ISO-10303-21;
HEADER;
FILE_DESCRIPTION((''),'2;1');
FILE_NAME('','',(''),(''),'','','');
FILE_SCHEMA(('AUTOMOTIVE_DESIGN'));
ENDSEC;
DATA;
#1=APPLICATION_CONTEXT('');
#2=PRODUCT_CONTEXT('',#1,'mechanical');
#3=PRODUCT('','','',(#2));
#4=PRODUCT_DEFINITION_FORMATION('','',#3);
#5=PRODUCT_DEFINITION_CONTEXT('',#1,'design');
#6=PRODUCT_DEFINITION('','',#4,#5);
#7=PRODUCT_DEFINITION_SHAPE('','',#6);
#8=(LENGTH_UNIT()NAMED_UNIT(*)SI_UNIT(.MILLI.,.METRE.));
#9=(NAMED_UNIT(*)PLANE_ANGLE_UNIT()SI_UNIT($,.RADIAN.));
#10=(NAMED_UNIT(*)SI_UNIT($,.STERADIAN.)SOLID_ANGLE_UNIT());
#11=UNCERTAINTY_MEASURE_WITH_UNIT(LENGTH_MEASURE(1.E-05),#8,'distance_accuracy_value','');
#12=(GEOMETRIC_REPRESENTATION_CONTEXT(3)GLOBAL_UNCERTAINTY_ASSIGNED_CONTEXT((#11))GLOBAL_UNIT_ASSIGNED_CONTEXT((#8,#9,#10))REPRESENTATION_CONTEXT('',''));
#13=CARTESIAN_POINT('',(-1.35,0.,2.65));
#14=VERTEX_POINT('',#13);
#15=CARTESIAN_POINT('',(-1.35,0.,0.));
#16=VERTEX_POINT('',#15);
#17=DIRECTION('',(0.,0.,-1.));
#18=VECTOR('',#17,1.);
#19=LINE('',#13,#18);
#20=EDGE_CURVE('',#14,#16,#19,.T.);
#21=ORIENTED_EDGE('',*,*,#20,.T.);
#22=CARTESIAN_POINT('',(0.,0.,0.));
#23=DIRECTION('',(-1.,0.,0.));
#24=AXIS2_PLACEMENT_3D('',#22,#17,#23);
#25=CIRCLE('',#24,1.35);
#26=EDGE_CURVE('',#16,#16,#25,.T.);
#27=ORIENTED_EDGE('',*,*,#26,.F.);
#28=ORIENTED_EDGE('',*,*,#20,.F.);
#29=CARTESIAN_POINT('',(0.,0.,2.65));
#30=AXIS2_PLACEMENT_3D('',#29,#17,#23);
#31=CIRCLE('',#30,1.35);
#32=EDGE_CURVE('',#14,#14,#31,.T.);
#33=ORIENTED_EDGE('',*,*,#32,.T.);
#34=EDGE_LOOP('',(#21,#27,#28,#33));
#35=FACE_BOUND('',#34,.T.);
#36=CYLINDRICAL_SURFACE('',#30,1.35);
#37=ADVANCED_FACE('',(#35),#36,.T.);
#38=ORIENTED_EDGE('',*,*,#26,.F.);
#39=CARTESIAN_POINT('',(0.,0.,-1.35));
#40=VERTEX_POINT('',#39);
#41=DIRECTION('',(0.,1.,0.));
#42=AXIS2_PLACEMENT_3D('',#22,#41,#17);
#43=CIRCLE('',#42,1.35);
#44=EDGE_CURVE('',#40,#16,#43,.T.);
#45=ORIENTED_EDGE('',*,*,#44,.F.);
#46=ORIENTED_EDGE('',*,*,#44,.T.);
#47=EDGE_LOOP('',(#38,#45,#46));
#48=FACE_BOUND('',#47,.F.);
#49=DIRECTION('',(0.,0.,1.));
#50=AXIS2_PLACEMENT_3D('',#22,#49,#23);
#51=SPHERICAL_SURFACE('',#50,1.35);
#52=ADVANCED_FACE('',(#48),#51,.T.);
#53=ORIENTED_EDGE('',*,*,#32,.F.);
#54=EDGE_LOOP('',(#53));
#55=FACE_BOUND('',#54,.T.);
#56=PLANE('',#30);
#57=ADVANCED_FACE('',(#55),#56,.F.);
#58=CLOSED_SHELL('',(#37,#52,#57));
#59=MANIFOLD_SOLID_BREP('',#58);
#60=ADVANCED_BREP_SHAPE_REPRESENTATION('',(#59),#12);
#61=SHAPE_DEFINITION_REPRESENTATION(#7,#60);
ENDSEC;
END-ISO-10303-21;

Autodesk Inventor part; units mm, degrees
ref_plane "YZ Plane" through (0, 0, 0) normal (1, 0, 0) x (0, 1, 0)
ref_plane "XZ Plane" through (0, 0, 0) normal (0, 1, 0) x (-1, 0, 0)
ref_plane "XY Plane" through (0, 0, 0) normal (0, 0, 1) x (1, 0, 0)
sketch "Sketch1" plane through (0, 0, 0) normal (0, 1, 0) x (-1, 0, 0)
  arc A0 (0, -1.35) -> (1.35, 0) centre (0, 0) ccw
  line L0 (0, 2.65) -> (1.35, 2.65)
  line L1 (1.35, 2.65) -> (1.35, 0)
  line L2 (0, 2.65) -> (0, -1.35)
  dimension "d0" = 2.7
  dimension "d1" = 4
revolve "Revolution1" add sketch "Sketch1" angle 360 about axis through (0, 0, 2.65) along (0, 0, -1)
properties part number "Toggle_LED" material "Polycarbonate, Clear"
